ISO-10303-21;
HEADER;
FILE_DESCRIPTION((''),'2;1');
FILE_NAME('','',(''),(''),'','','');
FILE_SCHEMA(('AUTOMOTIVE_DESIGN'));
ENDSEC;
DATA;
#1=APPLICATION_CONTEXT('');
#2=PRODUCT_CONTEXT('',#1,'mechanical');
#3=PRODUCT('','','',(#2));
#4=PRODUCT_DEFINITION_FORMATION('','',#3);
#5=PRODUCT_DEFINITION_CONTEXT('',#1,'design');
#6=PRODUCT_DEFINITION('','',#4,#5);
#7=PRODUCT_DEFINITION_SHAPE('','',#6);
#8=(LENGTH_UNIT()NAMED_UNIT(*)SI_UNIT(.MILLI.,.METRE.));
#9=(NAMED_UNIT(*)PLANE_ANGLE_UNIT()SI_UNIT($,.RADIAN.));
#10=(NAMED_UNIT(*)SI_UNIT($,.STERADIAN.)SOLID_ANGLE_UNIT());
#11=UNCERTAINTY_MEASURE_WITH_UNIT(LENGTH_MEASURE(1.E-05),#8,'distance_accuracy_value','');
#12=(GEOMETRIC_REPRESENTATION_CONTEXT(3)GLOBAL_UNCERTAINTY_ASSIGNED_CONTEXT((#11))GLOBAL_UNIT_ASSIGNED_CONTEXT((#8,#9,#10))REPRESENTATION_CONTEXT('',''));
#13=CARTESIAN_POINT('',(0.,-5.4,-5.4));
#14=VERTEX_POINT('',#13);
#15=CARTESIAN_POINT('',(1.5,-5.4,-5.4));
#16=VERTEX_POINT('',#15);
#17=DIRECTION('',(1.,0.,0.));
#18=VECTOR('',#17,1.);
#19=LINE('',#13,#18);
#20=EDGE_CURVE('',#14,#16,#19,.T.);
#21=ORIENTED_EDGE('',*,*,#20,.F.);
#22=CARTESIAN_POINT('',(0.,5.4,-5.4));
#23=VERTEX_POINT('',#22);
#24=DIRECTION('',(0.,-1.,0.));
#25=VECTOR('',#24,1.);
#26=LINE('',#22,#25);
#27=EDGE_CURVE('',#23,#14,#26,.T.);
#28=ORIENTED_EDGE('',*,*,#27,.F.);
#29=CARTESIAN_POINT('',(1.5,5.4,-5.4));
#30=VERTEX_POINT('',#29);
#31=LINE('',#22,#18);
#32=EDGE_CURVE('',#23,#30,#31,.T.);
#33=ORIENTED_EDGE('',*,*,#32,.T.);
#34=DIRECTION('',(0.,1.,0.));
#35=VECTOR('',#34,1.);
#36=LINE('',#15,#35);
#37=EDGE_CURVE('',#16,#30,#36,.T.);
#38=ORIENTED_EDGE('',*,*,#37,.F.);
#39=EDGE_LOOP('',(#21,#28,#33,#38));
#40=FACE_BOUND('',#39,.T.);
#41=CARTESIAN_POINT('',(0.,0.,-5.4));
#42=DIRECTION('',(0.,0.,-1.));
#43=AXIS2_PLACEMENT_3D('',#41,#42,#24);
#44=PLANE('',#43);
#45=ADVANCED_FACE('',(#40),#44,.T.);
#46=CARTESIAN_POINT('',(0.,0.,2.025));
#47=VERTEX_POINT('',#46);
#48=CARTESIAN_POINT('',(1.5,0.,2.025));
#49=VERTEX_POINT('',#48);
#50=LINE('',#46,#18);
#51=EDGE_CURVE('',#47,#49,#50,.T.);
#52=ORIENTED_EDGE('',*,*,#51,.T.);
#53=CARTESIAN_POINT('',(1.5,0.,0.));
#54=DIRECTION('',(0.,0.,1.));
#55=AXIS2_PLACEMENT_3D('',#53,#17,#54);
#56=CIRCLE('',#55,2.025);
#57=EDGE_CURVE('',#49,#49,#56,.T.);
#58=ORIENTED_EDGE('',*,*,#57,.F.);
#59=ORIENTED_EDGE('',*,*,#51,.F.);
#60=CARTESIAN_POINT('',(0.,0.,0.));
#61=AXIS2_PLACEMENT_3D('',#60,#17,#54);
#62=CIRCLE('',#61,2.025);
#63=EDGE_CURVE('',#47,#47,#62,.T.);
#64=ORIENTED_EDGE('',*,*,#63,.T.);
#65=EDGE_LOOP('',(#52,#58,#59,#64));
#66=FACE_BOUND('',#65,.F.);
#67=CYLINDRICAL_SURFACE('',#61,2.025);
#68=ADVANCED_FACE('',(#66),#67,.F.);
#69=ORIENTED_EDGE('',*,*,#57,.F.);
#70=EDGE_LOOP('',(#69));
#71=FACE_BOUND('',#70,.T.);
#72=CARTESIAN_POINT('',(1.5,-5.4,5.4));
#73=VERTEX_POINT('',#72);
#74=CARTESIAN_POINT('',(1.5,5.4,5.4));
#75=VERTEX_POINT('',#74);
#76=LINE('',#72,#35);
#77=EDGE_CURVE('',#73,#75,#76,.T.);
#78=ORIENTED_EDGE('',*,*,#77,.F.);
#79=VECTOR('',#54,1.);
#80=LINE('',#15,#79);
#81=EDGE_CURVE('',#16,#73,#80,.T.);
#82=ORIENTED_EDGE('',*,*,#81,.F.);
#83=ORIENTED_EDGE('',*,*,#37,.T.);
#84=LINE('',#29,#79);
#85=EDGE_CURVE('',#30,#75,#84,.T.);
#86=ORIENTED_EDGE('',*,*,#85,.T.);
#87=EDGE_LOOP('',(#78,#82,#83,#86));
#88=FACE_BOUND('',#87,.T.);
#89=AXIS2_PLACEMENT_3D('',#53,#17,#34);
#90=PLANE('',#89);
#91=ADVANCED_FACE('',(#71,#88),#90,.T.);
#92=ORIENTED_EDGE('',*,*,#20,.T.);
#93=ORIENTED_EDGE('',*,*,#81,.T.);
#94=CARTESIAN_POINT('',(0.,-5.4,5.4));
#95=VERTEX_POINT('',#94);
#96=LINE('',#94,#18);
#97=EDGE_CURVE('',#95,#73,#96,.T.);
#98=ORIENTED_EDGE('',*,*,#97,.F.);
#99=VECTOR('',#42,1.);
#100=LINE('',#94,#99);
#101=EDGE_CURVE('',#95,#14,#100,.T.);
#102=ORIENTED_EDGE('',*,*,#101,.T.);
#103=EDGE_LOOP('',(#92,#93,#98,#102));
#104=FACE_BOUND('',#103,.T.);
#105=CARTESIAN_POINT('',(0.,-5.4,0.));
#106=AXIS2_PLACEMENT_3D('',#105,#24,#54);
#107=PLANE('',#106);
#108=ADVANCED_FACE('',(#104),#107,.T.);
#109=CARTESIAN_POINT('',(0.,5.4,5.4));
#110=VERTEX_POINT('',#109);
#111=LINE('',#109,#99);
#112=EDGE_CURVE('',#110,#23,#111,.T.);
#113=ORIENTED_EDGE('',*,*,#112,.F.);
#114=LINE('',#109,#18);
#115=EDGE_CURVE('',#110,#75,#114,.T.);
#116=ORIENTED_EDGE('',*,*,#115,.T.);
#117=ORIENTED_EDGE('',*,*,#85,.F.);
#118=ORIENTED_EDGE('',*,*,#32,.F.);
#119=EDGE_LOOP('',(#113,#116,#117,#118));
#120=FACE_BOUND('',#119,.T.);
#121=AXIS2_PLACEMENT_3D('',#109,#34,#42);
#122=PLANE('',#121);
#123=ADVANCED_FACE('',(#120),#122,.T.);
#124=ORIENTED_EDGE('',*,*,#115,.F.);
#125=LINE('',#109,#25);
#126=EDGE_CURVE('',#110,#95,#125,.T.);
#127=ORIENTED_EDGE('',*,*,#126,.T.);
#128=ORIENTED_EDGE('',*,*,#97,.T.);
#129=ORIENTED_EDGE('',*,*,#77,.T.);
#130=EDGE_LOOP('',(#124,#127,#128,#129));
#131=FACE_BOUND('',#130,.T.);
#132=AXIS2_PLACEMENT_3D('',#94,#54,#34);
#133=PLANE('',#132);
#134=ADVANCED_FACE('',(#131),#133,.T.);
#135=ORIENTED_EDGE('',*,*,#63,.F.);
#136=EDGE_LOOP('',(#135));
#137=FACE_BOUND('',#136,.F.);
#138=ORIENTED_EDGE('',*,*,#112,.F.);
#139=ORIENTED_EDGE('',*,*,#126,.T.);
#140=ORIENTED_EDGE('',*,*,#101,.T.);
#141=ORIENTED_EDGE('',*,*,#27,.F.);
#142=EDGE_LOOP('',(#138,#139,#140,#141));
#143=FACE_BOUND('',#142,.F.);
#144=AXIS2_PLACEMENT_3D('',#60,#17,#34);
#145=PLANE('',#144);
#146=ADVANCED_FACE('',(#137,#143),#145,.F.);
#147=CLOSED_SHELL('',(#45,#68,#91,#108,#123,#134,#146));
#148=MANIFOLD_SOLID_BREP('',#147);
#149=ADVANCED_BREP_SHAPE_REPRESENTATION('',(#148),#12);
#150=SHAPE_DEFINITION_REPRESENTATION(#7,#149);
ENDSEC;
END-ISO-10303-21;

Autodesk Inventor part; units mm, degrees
ref_plane "YZ Plane" through (0, 0, 0) normal (1, 0, 0) x (0, 1, 0)
ref_plane "XZ Plane" through (0, 0, 0) normal (0, 1, 0) x (-1, 0, 0)
sketch "Sketch1" plane through (0, 0, 0) normal (1, 0, 0) x (0, 1, 0)
  line L0 (-5.95, 0) -> (5.95, 0) projected
  line L1 (0, -5.95) -> (0, 5.95) projected
  line L2 (-5.4, 5.4) -> (5.4, 5.4)
  line L3 (5.4, 5.4) -> (5.4, -5.4)
  line L4 (5.4, -5.4) -> (-5.4, -5.4)
  line L5 (-5.4, -5.4) -> (-5.4, 5.4)
  line L6 (0, 5.4) -> (0, -5.4) construction
  line L7 (-5.4, 0) -> (5.4, 0) construction
  point P0 (0, 0)
  dimension "d0" = 10.8
  dimension "d1" = 10.8
extrude "Body" add sketch "Sketch1" along normal blind 1.5
hole "Hole" at (0, 0, 0) direction (1, 0, 0) diameter 4.05 end through all
ref_plane "Work Plane1" through (15.347, 0, 0) normal (0, -1, 0) x (1, 0, 0)
equation "\"d0\" = SL2"
equation "\"d1\" = SL1"
equation "\"d2\" = SD"
equation "\"d4\" = SD1"
equation "\"SD1\" = 4.05"
equation "\"SL1\" = 10.8"
equation "\"SL2\" = 10.8"
equation "\"SD\" = 1.5"
equation "\"NND\" = 4"
properties part number "IFI - 4" material "Steel, Mild"
